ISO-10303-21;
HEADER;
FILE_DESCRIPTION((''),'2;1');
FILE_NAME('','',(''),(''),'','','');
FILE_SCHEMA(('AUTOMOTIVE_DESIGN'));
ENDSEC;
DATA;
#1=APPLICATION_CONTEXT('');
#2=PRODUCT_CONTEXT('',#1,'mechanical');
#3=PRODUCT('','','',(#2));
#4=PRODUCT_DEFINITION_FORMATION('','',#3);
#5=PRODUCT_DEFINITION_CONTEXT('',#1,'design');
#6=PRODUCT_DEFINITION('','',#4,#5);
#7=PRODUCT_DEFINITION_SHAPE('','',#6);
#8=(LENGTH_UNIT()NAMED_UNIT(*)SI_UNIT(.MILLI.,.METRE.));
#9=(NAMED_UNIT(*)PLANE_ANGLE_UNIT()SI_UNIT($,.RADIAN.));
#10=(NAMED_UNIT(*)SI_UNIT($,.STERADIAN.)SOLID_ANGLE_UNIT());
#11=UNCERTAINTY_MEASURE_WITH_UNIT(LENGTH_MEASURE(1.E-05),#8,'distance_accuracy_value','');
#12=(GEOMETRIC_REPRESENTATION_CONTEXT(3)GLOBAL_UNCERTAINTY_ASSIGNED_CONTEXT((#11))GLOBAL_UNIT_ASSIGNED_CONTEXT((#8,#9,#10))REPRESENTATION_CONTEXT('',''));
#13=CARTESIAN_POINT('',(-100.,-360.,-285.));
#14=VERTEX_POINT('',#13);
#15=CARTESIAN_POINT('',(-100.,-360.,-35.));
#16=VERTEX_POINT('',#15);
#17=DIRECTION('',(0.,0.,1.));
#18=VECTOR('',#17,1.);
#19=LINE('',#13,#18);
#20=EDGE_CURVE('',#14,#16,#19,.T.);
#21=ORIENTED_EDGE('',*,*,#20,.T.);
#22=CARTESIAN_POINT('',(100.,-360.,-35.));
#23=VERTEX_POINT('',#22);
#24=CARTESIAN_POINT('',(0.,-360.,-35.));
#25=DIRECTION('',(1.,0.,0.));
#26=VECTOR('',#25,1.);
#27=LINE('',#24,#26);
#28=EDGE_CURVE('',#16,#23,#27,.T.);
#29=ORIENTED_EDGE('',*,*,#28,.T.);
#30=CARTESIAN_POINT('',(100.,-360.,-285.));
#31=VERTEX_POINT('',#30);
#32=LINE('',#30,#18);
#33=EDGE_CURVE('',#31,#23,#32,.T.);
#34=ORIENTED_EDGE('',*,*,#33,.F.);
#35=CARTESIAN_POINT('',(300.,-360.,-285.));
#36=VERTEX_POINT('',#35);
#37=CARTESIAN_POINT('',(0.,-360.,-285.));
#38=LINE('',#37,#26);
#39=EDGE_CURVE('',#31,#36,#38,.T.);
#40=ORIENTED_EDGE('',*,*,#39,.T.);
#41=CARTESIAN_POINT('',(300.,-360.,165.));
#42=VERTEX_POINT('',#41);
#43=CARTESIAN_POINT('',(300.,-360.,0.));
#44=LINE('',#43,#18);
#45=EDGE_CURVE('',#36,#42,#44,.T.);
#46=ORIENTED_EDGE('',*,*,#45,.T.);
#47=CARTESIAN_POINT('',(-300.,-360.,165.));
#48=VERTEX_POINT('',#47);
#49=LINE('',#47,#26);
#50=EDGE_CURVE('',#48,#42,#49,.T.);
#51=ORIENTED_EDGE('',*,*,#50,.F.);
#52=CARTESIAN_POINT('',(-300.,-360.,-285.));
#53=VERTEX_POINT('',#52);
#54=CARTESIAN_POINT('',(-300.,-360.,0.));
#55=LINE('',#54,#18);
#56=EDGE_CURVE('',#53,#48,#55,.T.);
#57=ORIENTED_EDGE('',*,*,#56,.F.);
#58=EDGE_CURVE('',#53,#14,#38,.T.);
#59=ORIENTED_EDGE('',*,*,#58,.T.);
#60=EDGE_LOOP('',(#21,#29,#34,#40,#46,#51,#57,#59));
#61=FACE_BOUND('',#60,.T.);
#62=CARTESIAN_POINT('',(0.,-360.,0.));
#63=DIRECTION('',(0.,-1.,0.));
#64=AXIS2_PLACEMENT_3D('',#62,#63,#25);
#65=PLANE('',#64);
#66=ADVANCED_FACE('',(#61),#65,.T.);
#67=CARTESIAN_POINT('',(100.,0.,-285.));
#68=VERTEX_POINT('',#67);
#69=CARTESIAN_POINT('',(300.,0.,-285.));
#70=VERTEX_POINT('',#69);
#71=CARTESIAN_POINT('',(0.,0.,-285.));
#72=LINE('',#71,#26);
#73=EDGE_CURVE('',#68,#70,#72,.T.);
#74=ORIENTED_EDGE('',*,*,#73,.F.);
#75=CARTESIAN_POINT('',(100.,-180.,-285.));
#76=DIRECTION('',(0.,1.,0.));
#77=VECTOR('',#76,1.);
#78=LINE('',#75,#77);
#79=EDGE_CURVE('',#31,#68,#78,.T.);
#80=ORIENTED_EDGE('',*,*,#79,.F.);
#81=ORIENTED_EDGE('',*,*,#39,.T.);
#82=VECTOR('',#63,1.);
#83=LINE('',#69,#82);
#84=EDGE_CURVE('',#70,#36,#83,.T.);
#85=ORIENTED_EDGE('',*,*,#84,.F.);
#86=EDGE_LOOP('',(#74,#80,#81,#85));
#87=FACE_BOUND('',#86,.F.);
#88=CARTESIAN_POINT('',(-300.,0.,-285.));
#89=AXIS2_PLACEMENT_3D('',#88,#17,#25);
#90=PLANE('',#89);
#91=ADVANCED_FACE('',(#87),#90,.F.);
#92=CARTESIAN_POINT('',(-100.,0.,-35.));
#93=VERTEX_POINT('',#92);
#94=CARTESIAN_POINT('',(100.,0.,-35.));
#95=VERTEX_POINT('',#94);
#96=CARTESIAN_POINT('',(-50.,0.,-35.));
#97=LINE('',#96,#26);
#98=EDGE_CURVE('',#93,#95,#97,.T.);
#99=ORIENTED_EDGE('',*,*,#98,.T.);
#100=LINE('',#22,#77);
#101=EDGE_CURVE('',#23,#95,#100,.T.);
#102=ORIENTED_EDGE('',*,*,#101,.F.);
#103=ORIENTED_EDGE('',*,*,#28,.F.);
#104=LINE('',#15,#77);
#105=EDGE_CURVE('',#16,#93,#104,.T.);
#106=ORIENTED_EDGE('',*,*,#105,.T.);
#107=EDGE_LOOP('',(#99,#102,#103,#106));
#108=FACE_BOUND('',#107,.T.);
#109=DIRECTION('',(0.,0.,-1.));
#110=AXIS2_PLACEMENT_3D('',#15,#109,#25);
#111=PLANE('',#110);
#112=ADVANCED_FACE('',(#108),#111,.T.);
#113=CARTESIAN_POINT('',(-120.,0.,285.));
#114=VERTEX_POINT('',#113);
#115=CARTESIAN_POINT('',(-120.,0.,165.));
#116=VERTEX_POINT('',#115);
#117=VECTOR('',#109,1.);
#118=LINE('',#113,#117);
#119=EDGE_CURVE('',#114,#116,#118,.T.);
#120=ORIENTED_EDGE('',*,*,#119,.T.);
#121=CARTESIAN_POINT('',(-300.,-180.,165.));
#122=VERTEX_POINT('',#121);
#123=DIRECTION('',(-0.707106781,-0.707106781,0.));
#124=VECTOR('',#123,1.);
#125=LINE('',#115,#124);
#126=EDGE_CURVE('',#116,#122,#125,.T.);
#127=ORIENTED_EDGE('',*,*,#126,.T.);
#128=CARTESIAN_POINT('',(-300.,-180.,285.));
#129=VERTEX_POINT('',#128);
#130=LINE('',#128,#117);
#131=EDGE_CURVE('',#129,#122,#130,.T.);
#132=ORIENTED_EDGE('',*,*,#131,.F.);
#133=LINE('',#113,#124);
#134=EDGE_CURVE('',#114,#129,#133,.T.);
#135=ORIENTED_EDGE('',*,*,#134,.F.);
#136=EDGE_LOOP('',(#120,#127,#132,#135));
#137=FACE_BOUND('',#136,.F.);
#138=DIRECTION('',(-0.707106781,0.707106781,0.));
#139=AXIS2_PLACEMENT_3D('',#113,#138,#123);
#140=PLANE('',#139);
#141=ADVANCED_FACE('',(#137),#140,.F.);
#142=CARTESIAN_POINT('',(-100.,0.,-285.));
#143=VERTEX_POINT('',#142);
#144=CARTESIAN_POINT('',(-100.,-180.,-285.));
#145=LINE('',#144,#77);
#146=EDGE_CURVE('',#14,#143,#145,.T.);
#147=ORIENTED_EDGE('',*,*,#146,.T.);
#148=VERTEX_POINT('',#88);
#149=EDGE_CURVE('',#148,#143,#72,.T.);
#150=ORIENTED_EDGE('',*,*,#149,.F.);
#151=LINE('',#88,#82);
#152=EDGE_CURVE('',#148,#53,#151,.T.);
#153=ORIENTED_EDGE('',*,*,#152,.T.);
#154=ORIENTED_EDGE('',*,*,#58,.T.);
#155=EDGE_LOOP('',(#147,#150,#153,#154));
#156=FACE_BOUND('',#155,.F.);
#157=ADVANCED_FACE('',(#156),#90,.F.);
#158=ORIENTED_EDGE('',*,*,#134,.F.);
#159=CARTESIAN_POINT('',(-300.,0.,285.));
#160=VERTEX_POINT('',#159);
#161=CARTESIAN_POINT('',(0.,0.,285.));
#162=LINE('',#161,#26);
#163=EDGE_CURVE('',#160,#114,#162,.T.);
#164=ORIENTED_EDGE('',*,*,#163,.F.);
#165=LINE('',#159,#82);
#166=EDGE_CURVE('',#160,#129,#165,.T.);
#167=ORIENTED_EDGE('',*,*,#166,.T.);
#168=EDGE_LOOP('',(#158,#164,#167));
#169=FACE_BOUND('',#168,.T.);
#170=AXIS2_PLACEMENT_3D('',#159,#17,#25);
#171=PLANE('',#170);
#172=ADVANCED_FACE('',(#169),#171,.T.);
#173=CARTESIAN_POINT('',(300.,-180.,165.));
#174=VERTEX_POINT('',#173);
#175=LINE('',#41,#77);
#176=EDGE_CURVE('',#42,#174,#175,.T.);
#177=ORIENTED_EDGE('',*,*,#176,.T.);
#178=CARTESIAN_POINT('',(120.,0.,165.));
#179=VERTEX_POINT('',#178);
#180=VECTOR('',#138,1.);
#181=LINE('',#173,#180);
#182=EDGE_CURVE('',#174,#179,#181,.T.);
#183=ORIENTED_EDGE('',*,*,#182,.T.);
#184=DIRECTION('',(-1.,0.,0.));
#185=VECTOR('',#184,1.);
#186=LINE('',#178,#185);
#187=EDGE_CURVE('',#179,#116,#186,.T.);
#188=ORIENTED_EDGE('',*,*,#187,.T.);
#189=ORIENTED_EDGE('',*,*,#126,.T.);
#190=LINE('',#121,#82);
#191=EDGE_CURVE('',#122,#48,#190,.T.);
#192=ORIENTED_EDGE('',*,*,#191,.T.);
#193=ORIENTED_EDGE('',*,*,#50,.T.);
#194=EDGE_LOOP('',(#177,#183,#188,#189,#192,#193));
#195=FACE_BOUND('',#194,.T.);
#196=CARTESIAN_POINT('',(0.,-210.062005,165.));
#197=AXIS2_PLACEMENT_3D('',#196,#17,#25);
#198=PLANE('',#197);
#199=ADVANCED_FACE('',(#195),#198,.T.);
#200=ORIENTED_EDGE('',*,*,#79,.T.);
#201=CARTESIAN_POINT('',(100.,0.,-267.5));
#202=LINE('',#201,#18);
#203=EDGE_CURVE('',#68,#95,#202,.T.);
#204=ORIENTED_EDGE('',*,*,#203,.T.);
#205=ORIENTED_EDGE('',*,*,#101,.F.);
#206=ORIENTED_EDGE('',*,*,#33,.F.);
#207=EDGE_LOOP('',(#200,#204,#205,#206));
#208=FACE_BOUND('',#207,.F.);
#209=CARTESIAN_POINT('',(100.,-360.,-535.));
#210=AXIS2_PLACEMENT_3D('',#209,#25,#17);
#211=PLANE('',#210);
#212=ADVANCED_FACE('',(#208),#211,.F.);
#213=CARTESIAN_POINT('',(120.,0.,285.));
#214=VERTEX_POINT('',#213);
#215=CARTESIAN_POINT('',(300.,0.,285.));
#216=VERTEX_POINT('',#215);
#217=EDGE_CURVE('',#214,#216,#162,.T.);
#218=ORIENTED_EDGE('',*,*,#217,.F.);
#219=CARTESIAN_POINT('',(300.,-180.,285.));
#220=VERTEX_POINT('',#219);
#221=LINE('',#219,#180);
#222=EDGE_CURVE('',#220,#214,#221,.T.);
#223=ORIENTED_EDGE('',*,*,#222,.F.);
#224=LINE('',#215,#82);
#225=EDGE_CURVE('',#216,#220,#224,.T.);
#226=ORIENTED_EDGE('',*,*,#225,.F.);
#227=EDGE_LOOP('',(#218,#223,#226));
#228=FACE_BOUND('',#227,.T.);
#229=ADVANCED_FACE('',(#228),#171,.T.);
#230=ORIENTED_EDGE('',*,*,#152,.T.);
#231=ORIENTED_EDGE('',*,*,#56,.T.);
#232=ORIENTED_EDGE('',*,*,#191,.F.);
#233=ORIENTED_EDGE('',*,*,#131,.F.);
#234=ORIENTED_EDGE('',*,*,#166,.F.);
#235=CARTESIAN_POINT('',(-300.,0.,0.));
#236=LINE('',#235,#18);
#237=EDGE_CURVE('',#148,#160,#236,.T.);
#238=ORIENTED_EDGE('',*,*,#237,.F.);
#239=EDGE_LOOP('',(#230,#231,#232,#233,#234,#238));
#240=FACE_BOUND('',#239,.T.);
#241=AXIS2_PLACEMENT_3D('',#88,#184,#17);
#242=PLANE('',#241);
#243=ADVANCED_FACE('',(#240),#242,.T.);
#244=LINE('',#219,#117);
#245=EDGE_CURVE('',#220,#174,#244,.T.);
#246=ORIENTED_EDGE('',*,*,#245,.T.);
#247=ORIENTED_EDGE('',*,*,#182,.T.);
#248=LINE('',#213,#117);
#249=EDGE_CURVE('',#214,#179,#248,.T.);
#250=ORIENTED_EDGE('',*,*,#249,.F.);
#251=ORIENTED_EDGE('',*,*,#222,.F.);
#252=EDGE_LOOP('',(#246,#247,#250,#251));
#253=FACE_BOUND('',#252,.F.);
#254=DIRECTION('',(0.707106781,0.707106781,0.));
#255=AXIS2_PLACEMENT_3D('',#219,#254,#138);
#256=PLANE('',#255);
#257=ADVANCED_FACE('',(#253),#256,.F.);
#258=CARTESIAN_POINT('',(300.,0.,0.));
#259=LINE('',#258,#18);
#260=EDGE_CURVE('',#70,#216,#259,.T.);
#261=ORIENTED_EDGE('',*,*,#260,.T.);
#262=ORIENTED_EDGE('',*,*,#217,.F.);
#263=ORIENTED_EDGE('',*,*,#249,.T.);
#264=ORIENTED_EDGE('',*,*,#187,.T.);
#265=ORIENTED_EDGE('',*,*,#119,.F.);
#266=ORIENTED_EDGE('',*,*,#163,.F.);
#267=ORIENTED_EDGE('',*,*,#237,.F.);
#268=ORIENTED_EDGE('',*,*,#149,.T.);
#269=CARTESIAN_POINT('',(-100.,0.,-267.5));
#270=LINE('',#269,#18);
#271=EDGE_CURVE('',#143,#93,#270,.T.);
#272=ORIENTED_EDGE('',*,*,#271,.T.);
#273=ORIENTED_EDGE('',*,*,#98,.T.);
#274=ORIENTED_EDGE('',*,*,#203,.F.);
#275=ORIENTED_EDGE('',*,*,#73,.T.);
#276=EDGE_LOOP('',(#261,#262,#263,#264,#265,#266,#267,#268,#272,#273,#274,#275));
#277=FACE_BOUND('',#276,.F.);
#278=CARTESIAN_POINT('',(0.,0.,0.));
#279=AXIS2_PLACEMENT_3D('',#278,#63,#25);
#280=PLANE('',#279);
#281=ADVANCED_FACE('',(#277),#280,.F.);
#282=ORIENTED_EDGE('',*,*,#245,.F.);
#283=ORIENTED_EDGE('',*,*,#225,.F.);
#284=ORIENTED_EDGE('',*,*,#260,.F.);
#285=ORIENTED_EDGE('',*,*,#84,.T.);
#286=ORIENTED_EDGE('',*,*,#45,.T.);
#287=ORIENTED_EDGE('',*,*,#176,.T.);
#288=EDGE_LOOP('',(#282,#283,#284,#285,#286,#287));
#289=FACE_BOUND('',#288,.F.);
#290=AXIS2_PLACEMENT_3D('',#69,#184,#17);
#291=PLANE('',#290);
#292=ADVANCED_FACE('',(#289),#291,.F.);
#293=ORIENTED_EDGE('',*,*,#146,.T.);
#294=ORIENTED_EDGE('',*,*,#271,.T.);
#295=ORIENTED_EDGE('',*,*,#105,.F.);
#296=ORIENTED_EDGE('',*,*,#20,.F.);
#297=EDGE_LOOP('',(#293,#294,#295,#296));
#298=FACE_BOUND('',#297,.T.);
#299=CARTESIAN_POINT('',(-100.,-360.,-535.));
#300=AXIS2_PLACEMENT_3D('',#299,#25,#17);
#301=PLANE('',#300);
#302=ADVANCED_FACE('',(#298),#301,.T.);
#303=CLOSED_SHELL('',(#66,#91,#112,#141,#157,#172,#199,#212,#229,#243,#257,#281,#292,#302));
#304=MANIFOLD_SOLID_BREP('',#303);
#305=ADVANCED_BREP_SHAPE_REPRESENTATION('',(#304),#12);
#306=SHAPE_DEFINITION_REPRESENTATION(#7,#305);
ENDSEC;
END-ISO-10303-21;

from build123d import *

# Parameters (mm, degrees)
F0_W     = 600
F0_H     = 570
F1_DEPTH = 360
F2_W     = 200
F2_H     = 500
F3_DEPTH = 360.001
F5_DEPTH = 120


with BuildPart() as f1:
    # F0 (on Front) → F1 (new body)
    with BuildSketch(Plane.XZ):
        Rectangle(F0_W, F0_H)
    extrude(amount=F1_DEPTH)

    # F2 (on face) → F3 (cut, through all)
    with BuildSketch(Plane.XZ.offset(360)):
        with Locations((0, -285)):
            Rectangle(F2_W, F2_H)
    extrude(amount=-F3_DEPTH, mode=Mode.SUBTRACT)

    # F4 (on face) → F5 (cut)
    with BuildSketch(Plane.XY.offset(285)):
        Polygon((-300, -180), (-300, -360), (300, -360), (300, -180), (120, 0), (-120, 0), align=None)
    extrude(amount=-F5_DEPTH, mode=Mode.SUBTRACT)


solid = f1.part
